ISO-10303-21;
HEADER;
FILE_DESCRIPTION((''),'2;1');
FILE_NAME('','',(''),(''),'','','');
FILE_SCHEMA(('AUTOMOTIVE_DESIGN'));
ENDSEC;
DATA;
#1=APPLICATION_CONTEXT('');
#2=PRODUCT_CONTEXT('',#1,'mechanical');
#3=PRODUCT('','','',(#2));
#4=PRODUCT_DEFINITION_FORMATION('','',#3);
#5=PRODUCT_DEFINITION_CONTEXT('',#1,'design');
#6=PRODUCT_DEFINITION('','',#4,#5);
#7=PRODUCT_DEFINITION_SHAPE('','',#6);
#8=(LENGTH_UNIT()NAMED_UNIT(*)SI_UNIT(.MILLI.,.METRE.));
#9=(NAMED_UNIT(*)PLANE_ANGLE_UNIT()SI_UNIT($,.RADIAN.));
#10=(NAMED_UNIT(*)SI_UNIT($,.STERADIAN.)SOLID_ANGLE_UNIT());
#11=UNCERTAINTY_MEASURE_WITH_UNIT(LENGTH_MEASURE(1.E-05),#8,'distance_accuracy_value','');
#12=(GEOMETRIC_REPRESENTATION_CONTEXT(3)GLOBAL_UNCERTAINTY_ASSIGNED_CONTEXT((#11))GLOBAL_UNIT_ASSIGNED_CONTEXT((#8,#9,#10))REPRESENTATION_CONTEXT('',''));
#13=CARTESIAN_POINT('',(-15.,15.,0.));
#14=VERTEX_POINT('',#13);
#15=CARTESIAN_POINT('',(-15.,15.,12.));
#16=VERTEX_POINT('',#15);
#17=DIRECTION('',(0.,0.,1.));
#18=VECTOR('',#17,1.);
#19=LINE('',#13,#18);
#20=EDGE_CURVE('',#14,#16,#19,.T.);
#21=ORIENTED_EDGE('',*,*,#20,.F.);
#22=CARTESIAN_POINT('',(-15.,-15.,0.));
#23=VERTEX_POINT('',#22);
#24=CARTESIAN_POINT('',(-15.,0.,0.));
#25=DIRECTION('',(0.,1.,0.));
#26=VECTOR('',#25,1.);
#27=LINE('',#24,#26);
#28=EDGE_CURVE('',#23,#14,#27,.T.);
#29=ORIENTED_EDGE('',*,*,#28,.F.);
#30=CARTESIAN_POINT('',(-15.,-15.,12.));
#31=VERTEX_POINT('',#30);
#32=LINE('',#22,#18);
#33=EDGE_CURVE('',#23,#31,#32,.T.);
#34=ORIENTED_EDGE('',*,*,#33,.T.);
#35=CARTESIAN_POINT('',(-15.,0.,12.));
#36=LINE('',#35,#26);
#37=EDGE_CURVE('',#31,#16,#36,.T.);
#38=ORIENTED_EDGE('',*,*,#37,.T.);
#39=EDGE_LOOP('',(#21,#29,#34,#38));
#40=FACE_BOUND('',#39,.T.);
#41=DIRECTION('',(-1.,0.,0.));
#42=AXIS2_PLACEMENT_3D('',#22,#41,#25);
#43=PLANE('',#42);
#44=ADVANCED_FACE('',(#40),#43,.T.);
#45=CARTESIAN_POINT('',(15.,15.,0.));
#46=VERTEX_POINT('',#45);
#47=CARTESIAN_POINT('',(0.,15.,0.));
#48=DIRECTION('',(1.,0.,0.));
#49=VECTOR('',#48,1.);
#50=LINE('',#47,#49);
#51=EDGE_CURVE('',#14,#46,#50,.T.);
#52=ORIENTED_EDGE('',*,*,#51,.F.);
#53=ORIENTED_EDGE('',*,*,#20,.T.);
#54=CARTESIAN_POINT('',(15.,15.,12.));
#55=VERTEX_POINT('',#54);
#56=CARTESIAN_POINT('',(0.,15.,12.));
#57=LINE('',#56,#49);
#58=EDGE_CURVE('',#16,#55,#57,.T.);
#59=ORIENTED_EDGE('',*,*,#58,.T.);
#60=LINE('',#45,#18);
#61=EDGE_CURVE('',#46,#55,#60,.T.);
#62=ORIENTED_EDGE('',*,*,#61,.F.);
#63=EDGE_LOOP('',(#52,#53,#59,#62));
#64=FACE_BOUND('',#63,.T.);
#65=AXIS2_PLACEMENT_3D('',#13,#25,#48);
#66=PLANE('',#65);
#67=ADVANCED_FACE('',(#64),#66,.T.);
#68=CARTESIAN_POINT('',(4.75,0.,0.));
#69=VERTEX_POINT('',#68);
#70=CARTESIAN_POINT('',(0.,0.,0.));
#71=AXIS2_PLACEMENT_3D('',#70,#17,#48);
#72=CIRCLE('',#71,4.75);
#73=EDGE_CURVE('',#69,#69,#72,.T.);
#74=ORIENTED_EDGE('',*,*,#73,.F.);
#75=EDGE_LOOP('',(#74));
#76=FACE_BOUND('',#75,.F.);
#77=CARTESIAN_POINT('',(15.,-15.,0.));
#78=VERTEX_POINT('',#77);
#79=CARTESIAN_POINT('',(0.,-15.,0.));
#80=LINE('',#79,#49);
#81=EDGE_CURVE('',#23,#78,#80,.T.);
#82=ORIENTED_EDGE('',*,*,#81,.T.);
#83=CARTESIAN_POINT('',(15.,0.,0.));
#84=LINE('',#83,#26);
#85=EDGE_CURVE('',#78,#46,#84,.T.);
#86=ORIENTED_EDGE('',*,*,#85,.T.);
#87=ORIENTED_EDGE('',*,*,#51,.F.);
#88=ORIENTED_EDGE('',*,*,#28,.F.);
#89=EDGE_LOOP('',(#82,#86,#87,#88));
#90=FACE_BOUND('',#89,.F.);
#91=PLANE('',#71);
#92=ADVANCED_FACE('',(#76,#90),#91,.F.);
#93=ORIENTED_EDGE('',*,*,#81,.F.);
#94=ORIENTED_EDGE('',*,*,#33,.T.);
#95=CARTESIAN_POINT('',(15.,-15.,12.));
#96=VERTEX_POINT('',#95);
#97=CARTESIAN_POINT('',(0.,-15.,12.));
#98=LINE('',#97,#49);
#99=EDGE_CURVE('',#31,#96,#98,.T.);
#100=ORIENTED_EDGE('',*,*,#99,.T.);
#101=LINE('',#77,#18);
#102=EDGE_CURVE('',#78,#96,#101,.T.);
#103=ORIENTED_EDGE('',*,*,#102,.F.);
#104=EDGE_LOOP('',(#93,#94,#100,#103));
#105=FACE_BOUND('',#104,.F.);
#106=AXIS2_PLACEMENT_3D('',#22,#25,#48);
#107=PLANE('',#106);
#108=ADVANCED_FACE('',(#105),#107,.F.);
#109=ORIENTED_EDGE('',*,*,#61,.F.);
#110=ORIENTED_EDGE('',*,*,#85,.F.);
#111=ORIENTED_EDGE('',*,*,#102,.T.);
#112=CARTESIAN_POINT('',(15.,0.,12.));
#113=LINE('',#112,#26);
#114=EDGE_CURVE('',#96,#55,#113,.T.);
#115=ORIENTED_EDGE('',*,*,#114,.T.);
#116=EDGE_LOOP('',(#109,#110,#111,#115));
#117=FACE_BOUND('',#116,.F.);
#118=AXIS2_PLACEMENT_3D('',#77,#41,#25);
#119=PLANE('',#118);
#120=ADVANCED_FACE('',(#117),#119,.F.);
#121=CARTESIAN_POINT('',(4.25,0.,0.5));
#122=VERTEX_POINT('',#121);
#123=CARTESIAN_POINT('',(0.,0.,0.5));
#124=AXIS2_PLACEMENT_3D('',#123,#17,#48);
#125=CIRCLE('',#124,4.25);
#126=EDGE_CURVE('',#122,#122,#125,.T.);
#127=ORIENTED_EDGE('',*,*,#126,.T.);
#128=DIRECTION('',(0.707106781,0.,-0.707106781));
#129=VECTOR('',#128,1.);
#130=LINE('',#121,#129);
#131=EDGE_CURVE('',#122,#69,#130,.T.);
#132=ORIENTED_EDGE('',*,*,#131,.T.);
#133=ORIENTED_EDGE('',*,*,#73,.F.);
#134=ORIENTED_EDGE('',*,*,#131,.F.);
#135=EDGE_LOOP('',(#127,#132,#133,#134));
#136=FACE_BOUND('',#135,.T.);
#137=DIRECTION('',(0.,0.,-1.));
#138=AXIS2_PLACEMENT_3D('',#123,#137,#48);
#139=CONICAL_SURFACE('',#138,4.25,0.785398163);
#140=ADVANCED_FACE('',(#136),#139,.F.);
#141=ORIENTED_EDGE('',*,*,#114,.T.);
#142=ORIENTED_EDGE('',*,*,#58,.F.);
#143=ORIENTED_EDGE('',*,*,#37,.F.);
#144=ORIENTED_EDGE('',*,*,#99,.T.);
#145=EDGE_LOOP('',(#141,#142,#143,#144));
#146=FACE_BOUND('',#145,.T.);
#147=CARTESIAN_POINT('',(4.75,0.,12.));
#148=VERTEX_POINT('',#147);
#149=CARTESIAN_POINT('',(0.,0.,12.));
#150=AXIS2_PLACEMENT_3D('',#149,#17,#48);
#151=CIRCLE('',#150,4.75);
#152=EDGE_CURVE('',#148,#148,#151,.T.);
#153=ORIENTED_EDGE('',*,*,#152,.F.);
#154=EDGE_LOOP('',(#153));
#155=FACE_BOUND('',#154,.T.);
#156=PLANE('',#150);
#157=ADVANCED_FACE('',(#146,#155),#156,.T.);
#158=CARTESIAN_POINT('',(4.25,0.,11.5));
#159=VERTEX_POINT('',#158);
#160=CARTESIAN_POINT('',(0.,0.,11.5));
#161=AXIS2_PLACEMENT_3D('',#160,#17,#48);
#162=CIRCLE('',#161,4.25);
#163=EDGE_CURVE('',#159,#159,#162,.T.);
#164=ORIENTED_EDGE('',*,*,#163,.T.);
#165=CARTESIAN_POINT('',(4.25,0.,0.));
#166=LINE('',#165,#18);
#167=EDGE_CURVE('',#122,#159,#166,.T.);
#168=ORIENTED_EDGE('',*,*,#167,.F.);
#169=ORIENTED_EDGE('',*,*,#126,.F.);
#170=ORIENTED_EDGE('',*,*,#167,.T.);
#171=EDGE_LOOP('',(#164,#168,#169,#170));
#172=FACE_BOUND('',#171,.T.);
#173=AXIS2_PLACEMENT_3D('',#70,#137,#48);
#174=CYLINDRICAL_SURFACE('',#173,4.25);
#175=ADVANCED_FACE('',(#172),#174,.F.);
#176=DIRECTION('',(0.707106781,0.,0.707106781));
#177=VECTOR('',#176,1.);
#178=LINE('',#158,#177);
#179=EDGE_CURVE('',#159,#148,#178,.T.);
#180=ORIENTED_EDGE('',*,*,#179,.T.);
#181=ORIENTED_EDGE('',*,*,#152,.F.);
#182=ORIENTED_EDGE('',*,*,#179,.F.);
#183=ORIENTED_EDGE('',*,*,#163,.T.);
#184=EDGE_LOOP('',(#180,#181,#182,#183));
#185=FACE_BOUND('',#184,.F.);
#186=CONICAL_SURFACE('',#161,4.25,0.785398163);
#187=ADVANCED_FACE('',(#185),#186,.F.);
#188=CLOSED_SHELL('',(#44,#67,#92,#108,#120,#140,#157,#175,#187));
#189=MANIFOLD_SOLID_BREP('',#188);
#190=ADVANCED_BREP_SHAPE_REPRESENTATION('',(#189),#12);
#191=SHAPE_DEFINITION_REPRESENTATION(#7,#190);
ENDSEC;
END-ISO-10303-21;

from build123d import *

# Parameters (mm, degrees)
F0_W     = 30
F0_H     = 30
F0_R     = 4.25
F1_DEPTH = 12
F2_SIZE  = 0.5


with BuildPart() as f1:
    # F0 (on Top) → F1 (new body)
    with BuildSketch(Plane.XY):
        Rectangle(F0_W, F0_H)
        Circle(F0_R, mode=Mode.SUBTRACT)
    extrude(amount=F1_DEPTH)

    # F2
    f2_edges = [f1.edges().sort_by_distance(p)[0] for p in [
        (4.25, 0, 6),
        (-4.25, 0, 0),
        (-4.25, 0, 12),
    ]]
    chamfer(f2_edges, length=F2_SIZE)


solid = f1.part
